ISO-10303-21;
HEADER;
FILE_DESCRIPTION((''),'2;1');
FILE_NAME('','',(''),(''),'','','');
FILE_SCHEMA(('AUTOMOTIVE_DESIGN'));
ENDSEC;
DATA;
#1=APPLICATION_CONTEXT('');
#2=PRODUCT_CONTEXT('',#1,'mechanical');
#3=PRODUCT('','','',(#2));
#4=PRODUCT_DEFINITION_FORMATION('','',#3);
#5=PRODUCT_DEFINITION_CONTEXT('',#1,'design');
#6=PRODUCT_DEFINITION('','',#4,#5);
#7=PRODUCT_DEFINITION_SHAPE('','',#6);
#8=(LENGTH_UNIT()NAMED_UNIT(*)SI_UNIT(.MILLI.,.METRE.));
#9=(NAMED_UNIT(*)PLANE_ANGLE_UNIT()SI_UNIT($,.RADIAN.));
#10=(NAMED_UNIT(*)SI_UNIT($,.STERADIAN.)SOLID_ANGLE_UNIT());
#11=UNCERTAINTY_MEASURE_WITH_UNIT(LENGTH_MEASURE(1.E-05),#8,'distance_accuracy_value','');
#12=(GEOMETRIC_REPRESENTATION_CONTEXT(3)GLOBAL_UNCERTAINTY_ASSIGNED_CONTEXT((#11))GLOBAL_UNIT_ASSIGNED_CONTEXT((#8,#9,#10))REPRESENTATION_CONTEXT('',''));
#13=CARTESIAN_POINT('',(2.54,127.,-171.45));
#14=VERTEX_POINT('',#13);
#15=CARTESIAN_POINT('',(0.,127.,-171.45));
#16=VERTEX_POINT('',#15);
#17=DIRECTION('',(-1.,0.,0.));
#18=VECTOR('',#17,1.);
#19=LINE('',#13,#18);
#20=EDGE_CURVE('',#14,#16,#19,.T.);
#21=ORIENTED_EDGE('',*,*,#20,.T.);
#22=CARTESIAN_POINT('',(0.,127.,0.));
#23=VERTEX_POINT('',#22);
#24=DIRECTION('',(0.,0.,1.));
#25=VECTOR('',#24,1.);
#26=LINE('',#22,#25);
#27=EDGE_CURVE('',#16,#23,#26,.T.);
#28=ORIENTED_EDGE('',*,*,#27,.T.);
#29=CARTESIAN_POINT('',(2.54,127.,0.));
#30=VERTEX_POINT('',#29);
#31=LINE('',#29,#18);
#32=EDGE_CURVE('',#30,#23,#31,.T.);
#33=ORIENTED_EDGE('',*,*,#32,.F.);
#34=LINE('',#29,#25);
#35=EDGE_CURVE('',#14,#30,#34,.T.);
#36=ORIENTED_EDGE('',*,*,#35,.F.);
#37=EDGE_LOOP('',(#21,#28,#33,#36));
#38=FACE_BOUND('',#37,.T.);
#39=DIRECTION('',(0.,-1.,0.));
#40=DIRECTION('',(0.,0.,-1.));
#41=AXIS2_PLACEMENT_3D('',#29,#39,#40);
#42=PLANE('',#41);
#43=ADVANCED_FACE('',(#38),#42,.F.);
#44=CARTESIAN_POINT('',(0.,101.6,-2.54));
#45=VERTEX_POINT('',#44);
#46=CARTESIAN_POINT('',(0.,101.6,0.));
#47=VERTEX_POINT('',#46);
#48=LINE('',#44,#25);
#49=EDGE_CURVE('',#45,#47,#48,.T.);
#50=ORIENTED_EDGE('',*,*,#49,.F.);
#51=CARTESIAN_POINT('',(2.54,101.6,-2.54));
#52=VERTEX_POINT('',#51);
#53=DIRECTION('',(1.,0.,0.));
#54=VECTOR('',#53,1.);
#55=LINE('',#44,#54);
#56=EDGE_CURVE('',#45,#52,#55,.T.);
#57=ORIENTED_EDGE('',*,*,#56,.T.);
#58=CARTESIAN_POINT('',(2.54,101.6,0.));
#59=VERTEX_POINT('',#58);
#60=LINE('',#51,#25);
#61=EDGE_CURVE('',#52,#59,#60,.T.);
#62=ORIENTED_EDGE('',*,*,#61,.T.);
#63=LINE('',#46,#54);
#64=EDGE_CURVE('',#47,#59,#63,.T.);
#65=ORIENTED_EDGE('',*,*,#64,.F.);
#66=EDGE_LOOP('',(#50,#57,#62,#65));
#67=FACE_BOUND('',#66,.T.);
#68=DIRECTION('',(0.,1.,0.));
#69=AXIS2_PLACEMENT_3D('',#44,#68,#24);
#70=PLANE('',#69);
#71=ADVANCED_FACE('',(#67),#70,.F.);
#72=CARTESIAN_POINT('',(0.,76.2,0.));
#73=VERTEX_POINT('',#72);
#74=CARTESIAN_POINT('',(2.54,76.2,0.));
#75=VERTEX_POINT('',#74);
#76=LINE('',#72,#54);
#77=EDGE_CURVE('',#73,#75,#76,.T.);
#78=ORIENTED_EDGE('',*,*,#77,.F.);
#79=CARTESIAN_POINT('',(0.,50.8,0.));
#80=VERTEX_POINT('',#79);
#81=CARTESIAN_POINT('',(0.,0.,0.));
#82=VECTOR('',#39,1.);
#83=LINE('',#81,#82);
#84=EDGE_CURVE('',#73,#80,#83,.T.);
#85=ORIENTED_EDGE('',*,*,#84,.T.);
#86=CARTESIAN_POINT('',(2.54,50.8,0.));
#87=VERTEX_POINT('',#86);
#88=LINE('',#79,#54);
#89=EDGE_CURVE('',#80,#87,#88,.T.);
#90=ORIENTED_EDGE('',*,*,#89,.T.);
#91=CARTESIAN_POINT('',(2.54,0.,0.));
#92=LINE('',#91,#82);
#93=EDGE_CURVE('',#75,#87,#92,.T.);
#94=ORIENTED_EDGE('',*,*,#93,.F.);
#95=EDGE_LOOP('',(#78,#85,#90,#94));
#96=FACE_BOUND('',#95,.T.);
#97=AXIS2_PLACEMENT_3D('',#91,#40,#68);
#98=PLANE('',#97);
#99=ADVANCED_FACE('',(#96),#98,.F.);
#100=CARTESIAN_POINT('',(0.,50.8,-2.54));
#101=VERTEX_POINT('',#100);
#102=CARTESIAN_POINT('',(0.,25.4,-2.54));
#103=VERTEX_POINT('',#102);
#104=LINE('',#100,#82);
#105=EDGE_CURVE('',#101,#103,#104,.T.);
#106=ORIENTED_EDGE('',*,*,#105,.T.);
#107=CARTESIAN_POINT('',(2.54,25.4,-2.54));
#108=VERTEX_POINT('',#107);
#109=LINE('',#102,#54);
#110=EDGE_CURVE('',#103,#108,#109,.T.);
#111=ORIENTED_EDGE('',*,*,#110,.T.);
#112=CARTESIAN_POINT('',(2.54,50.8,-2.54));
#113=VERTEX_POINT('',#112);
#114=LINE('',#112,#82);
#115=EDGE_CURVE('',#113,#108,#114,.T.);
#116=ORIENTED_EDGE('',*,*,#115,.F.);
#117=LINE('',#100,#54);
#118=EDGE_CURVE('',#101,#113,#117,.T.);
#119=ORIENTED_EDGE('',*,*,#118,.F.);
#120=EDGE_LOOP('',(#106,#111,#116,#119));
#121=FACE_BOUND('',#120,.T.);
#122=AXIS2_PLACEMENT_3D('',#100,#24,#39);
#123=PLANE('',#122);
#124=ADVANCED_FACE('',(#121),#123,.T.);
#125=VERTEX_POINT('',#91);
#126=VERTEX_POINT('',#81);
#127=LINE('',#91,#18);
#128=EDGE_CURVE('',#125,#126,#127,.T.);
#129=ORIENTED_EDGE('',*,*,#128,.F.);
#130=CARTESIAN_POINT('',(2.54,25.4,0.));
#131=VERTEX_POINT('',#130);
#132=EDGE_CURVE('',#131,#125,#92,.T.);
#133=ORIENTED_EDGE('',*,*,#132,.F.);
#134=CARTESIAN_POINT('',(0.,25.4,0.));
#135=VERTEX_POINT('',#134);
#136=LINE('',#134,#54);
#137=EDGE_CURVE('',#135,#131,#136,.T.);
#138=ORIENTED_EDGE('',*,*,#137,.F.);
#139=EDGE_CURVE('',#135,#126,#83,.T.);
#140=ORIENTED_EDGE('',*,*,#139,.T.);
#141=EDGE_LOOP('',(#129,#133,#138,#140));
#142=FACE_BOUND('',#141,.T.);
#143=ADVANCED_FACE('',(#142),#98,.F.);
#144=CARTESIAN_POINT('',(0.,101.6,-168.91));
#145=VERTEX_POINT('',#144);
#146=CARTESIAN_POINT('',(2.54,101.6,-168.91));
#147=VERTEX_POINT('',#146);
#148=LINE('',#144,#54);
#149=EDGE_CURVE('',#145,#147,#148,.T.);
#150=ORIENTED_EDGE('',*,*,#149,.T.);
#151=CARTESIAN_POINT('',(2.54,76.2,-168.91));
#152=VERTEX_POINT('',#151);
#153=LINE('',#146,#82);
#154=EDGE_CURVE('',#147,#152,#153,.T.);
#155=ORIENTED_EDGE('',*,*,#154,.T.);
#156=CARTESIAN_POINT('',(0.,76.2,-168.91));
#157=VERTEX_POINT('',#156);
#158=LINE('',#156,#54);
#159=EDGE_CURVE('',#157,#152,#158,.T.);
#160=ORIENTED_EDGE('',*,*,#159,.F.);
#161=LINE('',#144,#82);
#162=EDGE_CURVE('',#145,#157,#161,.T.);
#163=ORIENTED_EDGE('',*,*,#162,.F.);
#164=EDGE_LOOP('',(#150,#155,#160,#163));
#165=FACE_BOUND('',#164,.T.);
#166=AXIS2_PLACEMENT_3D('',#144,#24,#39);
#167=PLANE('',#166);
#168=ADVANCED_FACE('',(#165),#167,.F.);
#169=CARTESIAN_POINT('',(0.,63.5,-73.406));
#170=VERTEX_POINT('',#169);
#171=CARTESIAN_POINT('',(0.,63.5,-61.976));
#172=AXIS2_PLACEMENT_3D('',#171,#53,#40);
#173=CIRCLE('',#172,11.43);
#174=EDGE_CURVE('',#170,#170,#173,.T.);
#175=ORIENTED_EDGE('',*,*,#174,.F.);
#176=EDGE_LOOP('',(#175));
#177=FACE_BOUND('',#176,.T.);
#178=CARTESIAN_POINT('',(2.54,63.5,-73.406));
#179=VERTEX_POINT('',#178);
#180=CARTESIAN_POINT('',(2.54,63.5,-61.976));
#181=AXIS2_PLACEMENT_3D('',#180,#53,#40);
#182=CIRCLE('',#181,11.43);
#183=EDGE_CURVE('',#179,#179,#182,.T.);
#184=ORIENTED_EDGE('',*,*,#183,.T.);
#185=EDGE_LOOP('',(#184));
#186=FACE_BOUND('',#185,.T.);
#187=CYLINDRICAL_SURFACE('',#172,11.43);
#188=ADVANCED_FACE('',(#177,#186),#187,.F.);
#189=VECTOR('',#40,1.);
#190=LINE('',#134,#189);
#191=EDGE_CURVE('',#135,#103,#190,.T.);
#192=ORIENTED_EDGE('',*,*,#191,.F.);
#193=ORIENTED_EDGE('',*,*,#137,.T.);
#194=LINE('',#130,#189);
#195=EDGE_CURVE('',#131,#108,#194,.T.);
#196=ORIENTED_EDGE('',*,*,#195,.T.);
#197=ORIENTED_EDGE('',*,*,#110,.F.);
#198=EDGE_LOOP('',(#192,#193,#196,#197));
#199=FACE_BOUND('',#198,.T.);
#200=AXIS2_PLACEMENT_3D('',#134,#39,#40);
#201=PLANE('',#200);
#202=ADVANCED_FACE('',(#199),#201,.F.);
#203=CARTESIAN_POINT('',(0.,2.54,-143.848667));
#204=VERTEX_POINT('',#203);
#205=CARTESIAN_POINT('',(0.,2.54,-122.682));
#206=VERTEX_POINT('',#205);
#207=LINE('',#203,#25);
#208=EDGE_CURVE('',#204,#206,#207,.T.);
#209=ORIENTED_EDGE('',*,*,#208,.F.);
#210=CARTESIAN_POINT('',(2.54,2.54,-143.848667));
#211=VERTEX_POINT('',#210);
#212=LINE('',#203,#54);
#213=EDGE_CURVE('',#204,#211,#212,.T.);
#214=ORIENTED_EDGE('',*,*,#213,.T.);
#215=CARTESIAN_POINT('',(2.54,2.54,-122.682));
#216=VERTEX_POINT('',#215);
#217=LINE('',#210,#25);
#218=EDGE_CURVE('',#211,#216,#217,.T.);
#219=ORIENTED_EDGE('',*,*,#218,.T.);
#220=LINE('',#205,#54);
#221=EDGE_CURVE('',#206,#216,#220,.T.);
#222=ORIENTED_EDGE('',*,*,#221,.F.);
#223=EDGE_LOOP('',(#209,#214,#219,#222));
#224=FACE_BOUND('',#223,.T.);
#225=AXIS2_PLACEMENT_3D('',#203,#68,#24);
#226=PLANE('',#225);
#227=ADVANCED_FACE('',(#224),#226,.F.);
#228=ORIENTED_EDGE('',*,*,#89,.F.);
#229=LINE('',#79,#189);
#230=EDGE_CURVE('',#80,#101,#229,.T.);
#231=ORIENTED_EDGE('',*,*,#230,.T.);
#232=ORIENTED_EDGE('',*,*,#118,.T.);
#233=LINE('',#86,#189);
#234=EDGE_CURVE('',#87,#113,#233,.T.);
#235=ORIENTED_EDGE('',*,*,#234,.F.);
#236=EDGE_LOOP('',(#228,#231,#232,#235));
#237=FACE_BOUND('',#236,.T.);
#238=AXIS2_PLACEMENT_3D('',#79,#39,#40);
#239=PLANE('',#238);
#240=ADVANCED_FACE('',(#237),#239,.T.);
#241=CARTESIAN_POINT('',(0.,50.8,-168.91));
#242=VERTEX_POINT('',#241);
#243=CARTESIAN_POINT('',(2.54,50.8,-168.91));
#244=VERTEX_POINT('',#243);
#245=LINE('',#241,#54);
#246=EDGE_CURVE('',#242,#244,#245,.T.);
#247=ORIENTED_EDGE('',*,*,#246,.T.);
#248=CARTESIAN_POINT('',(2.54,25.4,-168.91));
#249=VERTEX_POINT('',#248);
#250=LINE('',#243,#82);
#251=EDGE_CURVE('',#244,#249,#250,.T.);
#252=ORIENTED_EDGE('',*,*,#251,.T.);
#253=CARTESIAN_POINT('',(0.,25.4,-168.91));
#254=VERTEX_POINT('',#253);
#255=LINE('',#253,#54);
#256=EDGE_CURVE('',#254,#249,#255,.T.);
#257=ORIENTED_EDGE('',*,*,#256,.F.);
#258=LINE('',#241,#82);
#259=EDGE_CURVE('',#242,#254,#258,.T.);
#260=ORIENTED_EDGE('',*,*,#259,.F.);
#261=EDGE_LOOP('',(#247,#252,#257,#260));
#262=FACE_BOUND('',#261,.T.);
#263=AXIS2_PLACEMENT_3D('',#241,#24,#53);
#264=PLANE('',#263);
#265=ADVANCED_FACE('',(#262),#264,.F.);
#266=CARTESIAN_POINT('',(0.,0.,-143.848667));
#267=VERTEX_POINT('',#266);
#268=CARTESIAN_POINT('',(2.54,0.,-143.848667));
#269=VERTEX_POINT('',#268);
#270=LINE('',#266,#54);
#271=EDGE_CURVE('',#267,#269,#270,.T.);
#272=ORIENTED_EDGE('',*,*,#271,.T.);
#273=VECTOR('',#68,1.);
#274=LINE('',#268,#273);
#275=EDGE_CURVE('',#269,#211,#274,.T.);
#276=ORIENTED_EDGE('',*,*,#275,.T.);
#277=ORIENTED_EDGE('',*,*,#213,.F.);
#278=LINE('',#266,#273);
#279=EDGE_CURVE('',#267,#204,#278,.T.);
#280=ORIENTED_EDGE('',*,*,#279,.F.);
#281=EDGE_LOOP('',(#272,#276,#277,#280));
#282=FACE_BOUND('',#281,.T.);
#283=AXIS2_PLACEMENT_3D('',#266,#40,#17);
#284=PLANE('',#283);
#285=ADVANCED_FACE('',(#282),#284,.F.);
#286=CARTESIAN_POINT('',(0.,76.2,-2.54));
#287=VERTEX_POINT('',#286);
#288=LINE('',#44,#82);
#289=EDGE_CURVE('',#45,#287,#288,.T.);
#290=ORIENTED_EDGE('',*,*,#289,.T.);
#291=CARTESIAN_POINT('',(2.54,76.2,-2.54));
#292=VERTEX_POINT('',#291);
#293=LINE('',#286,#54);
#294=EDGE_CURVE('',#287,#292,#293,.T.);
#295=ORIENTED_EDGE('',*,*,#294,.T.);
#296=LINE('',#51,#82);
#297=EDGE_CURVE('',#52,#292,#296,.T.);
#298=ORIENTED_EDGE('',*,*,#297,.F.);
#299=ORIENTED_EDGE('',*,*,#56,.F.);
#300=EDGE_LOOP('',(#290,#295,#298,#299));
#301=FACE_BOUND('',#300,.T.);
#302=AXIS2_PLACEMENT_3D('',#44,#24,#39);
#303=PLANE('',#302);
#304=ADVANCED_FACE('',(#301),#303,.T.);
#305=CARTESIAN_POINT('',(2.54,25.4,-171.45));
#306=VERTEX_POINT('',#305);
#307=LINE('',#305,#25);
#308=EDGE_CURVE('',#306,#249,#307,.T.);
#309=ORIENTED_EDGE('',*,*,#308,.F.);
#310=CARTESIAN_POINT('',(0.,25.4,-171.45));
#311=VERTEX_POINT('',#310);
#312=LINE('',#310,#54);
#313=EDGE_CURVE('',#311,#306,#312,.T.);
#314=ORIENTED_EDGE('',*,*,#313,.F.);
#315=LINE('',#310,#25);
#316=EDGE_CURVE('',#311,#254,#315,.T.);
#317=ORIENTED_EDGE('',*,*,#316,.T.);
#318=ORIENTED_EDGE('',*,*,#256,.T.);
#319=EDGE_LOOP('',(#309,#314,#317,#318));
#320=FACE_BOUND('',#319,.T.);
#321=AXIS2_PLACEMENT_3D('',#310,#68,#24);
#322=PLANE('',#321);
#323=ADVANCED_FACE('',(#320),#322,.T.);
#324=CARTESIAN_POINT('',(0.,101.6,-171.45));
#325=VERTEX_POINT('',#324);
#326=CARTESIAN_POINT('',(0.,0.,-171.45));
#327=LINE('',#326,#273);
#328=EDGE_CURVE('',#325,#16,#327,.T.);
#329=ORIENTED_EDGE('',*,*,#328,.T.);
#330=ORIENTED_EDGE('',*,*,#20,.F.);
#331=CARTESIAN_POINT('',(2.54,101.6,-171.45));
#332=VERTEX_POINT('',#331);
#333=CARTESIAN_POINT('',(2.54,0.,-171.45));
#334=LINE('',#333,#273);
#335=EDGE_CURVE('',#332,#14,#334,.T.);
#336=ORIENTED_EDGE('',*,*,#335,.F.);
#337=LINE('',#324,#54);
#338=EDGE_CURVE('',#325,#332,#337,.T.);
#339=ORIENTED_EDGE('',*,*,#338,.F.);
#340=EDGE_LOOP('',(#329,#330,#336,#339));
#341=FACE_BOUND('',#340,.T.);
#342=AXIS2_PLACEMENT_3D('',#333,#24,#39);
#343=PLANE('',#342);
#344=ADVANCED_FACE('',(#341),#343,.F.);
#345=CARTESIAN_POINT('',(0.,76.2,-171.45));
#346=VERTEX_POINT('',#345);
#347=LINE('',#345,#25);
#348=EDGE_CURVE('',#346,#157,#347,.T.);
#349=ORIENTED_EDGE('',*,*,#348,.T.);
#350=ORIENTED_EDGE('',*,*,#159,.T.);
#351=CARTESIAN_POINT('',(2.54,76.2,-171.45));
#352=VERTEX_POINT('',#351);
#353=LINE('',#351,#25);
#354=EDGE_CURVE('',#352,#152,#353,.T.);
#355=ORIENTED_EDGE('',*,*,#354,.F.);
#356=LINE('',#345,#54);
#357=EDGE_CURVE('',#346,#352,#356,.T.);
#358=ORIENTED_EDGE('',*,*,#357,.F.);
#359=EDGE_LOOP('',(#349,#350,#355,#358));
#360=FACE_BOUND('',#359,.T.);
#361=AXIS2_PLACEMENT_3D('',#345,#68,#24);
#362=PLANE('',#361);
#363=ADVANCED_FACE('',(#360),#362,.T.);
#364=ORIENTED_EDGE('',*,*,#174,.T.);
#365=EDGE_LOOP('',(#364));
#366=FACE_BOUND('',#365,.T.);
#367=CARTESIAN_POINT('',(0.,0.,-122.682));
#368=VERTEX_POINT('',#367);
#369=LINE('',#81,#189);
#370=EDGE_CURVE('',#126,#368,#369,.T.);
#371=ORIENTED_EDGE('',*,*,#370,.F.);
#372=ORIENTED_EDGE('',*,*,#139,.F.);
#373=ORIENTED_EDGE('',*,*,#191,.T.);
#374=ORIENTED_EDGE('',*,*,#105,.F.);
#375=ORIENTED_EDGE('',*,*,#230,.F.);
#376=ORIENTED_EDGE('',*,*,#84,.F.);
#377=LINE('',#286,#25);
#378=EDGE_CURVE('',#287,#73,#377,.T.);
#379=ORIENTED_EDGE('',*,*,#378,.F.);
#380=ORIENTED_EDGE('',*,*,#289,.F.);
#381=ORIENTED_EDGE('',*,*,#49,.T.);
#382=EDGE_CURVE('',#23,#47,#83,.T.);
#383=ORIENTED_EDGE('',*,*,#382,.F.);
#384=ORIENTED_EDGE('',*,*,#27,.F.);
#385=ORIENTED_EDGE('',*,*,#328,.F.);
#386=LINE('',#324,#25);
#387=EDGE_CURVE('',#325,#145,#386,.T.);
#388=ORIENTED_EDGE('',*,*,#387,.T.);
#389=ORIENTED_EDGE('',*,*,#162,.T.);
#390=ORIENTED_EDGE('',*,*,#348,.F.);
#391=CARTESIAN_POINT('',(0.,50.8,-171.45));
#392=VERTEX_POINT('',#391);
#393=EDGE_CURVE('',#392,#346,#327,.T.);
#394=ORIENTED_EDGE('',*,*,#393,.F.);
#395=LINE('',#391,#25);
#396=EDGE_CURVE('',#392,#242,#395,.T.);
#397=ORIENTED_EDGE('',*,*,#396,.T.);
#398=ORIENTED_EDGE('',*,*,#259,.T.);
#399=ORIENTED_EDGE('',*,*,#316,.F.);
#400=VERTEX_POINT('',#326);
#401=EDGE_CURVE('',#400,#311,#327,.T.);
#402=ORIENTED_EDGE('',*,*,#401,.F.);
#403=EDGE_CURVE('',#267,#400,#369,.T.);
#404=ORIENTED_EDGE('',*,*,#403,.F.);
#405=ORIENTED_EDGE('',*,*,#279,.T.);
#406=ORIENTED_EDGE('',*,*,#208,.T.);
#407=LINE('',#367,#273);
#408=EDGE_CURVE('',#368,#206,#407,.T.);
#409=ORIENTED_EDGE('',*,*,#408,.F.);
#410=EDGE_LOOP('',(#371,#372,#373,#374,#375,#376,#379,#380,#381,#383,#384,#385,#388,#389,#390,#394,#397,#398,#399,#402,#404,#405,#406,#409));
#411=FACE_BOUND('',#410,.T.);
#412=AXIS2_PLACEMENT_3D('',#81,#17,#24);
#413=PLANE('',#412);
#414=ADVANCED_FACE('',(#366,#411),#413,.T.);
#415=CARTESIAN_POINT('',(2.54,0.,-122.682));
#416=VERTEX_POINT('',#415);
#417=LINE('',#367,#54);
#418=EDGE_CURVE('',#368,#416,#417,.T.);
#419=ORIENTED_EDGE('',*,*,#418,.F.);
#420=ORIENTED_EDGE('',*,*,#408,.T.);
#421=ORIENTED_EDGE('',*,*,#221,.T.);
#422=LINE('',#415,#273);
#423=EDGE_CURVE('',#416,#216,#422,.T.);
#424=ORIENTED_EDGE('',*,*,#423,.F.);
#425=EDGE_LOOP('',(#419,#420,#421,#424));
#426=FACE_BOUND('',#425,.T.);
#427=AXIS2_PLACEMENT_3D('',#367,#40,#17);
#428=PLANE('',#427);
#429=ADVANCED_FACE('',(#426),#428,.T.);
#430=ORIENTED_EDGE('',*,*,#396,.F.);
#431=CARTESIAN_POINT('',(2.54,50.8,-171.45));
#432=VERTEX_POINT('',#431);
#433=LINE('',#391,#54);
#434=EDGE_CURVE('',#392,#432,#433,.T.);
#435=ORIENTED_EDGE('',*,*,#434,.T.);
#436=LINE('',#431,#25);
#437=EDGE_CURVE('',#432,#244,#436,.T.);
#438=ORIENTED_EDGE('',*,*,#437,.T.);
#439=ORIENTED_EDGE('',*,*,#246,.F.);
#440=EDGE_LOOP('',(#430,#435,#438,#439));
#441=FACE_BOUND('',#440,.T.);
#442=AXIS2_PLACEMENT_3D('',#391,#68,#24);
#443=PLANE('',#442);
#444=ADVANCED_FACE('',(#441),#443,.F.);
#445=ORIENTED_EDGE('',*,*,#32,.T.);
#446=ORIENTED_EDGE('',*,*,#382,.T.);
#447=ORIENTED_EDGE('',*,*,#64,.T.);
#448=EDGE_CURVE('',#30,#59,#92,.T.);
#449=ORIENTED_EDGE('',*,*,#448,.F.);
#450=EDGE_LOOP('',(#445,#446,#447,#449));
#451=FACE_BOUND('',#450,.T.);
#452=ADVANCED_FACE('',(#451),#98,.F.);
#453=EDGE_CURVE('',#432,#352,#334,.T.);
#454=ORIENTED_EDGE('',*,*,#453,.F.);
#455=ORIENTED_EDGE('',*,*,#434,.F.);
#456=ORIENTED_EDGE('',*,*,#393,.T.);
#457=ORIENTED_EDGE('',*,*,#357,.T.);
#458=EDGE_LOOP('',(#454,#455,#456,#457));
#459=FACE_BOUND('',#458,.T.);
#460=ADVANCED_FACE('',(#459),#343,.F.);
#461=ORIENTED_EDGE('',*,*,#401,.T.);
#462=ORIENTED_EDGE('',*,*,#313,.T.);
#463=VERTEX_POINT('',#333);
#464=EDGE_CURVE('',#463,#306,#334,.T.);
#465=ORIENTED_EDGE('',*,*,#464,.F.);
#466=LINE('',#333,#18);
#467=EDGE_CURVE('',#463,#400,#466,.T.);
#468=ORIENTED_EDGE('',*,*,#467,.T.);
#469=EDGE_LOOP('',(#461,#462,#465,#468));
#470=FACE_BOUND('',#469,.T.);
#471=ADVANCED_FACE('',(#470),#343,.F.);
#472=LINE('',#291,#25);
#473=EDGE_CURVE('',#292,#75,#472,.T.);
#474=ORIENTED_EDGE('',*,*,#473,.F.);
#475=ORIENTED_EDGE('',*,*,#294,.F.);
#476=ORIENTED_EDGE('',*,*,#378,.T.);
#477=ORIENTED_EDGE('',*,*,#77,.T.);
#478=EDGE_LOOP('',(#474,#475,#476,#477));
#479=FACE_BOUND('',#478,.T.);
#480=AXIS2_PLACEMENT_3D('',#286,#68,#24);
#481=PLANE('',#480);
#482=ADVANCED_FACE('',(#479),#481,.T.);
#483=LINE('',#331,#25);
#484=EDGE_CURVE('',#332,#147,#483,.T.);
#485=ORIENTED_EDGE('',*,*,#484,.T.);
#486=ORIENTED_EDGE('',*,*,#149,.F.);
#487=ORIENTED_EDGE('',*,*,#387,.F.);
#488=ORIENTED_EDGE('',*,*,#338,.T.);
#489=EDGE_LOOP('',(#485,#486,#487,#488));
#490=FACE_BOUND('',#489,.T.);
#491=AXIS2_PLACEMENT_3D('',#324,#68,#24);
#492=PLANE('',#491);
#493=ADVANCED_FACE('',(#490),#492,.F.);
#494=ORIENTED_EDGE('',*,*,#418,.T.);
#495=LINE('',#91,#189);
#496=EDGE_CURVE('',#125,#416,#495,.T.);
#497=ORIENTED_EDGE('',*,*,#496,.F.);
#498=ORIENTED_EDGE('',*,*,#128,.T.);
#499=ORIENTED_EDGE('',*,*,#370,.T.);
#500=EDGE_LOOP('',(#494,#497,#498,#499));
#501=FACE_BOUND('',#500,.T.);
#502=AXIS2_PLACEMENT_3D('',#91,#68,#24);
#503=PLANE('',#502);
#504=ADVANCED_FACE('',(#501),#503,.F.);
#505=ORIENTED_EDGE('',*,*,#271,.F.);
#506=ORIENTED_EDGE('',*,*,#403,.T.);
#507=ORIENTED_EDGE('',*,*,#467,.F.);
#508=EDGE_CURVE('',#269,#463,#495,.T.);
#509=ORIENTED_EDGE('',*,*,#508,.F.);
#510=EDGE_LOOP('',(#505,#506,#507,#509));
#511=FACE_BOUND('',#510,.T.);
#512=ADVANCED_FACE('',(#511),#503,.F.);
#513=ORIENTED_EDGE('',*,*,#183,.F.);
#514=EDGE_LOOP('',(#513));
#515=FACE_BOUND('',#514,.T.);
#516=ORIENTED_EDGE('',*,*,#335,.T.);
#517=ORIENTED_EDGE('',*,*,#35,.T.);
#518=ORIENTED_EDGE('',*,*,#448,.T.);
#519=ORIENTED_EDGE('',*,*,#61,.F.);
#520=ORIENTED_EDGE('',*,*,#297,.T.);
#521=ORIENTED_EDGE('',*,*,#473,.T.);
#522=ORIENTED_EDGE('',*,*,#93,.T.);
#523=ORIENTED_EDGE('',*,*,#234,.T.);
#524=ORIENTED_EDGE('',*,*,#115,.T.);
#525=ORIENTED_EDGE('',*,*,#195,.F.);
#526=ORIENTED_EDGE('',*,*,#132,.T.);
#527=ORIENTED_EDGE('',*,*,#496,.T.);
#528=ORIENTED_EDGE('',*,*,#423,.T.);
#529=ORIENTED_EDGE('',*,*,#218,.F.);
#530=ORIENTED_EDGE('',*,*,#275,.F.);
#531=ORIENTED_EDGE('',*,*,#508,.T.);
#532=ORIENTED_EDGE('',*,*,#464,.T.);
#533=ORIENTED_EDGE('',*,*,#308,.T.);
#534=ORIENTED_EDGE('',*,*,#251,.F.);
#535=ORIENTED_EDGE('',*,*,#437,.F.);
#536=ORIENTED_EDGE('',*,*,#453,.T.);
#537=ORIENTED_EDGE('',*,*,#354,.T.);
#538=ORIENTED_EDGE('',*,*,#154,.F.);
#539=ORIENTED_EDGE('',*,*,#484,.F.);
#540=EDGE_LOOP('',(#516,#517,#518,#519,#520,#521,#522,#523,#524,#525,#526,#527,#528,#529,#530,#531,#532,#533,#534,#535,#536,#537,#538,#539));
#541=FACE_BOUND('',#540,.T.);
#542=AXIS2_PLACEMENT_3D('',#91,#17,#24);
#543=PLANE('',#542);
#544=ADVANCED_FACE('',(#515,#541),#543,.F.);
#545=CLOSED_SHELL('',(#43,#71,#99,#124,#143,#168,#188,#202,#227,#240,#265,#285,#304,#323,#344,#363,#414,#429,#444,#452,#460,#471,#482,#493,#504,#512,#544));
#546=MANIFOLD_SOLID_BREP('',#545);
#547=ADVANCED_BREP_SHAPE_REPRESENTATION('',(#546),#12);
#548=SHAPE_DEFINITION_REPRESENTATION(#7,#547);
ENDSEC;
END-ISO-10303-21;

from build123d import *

# Parameters (mm, degrees)
SKETCH1_W           = 171.45
SKETCH1_H           = 127
BOSS_EXTRUDE1_DEPTH = 2.54
SKETCH2_W           = 2.54
SKETCH2_H           = 25.4
CUT_EXTRUDE1_DEPTH  = 3.54
SKETCH3_R           = 11.43
CUT_EXTRUDE2_DEPTH  = 3.54
SKETCH4_W           = 21.166666667
SKETCH4_H           = 2.54
CUT_EXTRUDE3_DEPTH  = 3.54


with BuildPart() as part:
    # Sketch1 → Boss-Extrude1 (new body)
    with BuildSketch(Plane(origin=(0, 0, 0), x_dir=(0, 0, -1), z_dir=(1, 0, 0))):
        with Locations((85.725, 63.5)):
            Rectangle(SKETCH1_W, SKETCH1_H)
    extrude(amount=BOSS_EXTRUDE1_DEPTH)

    # Sketch2 → Cut-Extrude1 (cut, through all)
    with BuildSketch(Plane(origin=(2.54, 0, 0), x_dir=(0, 0, -1), z_dir=(1, 0, 0))):
        with Locations((1.27, 88.9)):
            Rectangle(SKETCH2_W, SKETCH2_H)
        with Locations((1.27, 38.1)):
            Rectangle(SKETCH2_W, SKETCH2_H)
        with Locations((170.18, 88.9)):
            Rectangle(SKETCH2_W, SKETCH2_H)
        with Locations((170.18, 38.1)):
            Rectangle(SKETCH2_W, SKETCH2_H)
    extrude(amount=-CUT_EXTRUDE1_DEPTH, mode=Mode.SUBTRACT)

    # Sketch3 → Cut-Extrude2 (cut, through all)
    with BuildSketch(Plane(origin=(2.54, 0, 0), x_dir=(0, 0, -1), z_dir=(1, 0, 0))):
        with Locations((61.976, 63.5)):
            Circle(SKETCH3_R)
    extrude(amount=-CUT_EXTRUDE2_DEPTH, mode=Mode.SUBTRACT)

    # Sketch4 → Cut-Extrude3 (cut, through all)
    with BuildSketch(Plane(origin=(2.54, 0, 0), x_dir=(0, 0, -1), z_dir=(1, 0, 0))):
        with Locations((133.265333333, 1.27)):
            Rectangle(SKETCH4_W, SKETCH4_H)
    extrude(amount=-CUT_EXTRUDE3_DEPTH, mode=Mode.SUBTRACT)


solid = part.part
